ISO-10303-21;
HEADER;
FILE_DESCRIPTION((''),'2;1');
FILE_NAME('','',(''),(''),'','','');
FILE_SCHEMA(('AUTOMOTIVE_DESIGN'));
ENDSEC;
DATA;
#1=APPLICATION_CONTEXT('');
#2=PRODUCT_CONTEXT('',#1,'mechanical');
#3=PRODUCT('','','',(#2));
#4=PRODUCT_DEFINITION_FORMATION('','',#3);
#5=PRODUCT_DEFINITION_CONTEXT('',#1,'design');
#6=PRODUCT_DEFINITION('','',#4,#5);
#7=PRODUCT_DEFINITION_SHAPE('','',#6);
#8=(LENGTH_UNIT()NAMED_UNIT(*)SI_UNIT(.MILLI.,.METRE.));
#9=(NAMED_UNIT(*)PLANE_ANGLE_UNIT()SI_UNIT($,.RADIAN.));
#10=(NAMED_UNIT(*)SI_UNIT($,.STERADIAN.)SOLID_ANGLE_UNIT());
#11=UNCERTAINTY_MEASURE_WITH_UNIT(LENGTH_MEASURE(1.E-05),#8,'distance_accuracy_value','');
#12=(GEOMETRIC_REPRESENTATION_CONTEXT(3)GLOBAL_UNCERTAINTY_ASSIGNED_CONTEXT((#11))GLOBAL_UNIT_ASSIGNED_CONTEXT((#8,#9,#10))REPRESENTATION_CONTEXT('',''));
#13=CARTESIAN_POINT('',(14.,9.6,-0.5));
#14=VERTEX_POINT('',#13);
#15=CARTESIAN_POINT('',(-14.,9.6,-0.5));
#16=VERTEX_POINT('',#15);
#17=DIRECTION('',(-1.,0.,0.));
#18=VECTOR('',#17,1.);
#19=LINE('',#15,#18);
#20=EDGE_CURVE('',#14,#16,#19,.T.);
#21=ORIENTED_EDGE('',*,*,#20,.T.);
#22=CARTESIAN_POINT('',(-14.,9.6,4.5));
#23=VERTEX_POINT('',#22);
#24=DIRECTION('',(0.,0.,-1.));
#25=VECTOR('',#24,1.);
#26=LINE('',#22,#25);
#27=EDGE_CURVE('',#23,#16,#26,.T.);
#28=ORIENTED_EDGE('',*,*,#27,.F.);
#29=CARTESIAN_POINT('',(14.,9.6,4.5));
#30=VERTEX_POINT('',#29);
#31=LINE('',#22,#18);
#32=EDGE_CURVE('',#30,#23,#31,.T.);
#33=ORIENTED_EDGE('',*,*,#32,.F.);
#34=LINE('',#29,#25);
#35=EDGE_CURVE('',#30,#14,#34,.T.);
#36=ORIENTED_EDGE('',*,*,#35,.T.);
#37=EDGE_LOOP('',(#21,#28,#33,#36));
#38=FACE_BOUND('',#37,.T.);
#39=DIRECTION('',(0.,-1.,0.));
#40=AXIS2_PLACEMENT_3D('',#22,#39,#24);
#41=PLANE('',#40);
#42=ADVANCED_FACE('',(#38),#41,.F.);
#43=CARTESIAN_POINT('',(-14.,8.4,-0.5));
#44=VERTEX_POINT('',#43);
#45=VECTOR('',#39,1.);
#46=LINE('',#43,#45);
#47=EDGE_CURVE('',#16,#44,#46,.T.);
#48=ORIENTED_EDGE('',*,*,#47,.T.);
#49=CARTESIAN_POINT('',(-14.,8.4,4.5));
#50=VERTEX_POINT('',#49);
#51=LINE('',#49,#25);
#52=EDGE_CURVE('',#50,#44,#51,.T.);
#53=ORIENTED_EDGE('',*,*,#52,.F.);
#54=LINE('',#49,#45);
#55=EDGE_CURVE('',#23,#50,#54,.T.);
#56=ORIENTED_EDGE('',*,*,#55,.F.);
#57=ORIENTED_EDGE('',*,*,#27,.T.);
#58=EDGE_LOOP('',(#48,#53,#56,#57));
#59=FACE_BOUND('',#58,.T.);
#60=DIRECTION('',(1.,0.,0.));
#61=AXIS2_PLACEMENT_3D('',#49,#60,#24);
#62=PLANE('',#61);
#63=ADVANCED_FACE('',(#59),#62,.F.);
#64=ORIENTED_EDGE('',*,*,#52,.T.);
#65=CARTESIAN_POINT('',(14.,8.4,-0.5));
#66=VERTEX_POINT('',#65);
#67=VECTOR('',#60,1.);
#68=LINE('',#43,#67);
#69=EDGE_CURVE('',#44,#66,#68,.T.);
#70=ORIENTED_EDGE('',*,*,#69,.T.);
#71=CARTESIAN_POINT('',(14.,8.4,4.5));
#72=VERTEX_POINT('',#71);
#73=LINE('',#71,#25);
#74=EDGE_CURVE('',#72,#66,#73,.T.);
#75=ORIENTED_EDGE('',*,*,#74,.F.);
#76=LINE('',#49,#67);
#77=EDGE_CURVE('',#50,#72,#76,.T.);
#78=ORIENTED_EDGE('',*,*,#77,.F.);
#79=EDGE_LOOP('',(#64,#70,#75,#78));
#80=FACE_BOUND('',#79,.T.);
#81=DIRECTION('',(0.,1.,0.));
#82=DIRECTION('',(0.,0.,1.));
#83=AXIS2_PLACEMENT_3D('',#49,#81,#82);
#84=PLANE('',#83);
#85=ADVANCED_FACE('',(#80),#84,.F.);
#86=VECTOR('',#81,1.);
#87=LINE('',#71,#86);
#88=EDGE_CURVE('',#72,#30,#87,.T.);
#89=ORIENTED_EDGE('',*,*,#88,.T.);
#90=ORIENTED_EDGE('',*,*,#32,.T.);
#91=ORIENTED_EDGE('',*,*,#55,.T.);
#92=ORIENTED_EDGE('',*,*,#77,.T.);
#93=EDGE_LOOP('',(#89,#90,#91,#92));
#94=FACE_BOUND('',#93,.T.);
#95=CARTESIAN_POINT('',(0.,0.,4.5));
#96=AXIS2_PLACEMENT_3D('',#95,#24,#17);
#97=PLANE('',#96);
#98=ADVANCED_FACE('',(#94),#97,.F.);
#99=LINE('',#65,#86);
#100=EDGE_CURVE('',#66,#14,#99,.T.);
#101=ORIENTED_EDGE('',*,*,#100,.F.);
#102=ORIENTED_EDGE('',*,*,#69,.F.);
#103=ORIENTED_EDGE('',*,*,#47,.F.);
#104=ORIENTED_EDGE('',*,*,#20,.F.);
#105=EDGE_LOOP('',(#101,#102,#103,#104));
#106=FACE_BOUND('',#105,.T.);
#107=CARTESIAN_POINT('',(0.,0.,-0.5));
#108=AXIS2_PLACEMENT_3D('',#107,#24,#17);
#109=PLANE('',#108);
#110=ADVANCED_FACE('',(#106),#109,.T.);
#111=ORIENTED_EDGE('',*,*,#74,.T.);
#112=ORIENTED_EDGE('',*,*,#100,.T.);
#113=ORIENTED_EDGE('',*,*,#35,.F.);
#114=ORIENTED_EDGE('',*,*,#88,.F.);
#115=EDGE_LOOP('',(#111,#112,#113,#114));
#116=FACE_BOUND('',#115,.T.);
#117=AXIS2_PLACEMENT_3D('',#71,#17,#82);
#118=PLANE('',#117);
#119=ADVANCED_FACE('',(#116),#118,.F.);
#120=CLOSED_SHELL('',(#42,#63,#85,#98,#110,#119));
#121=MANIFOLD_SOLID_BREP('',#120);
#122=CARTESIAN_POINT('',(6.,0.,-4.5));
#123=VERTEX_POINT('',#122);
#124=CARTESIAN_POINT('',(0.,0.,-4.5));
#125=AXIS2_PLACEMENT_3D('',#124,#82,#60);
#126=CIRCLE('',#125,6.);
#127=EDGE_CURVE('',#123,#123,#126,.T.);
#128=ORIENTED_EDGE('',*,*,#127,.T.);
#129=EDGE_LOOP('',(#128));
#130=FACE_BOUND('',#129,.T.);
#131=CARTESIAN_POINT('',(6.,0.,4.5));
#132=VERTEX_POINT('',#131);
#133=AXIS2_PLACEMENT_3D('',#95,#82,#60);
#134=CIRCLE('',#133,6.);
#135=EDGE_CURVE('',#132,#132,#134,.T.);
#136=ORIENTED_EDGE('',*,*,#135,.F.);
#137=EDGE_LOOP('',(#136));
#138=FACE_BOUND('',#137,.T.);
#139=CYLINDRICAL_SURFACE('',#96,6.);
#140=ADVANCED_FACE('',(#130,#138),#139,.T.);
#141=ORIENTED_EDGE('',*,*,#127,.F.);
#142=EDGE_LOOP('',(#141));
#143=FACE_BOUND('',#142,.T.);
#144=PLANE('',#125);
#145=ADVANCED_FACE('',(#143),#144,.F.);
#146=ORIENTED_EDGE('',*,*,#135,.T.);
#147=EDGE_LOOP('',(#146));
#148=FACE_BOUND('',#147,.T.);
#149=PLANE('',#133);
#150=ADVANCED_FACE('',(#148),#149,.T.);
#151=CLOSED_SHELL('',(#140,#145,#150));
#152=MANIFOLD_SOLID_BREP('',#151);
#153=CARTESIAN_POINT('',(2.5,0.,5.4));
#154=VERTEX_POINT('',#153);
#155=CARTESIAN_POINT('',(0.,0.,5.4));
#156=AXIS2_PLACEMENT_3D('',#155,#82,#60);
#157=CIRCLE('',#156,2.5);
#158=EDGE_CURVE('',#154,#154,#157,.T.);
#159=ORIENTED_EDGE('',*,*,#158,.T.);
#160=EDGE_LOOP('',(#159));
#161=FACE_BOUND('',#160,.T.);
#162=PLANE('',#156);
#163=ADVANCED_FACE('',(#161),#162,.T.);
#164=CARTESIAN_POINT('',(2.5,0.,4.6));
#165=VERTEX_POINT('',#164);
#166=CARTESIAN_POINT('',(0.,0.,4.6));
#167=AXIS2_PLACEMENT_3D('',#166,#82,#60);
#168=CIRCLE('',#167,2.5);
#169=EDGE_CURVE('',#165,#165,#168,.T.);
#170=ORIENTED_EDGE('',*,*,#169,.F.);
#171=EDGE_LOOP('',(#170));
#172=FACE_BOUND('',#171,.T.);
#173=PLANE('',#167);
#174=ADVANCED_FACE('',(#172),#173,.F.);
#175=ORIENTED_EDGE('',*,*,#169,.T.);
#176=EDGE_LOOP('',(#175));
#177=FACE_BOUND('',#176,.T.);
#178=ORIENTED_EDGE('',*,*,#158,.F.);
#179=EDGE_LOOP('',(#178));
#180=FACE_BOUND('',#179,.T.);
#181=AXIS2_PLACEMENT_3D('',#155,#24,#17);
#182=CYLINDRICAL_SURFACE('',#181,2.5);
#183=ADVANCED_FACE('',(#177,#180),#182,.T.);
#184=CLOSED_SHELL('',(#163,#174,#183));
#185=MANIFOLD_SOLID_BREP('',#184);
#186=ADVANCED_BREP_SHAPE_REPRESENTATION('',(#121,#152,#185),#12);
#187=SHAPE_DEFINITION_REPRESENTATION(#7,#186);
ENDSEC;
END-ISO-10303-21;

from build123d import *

# Parameters (mm, degrees)
ACTIVE_START                      = -4.5
SKETCH_1_R                        = 6
ACTIVE_BUZZER_DIA_12_X_9_MM_DEPTH = 9
SOUND_START                       = 4.6
SKETCH_2_R                        = 2.5
SOUND_OUTLET_MARKER_DEPTH         = 0.8
BUZZER_START                      = -0.5
SKETCH_3_W                        = 28
SKETCH_3_H                        = 1.2
BUZZER_LABEL_PLATE_BUZZER_DEPTH   = 5


with BuildPart() as part:
    # 草图1 → active buzzer - dia 12 x 9 mm (new body)
    with BuildSketch(Plane.XY.offset(ACTIVE_START)):
        Circle(SKETCH_1_R)
    extrude(amount=ACTIVE_BUZZER_DIA_12_X_9_MM_DEPTH)


with BuildPart() as body_2:
    # 草图2 → sound outlet marker (new body)
    with BuildSketch(Plane.XY.offset(SOUND_START)):
        Circle(SKETCH_2_R)
    extrude(amount=SOUND_OUTLET_MARKER_DEPTH)


with BuildPart() as body_3:
    # 草图3 → buzzer label plate - BUZZER (new body)
    with BuildSketch(Plane.XY.offset(BUZZER_START)):
        with Locations((0, 9)):
            Rectangle(SKETCH_3_W, SKETCH_3_H)
    extrude(amount=BUZZER_LABEL_PLATE_BUZZER_DEPTH)


solid = Compound([part.part, body_2.part, body_3.part])
